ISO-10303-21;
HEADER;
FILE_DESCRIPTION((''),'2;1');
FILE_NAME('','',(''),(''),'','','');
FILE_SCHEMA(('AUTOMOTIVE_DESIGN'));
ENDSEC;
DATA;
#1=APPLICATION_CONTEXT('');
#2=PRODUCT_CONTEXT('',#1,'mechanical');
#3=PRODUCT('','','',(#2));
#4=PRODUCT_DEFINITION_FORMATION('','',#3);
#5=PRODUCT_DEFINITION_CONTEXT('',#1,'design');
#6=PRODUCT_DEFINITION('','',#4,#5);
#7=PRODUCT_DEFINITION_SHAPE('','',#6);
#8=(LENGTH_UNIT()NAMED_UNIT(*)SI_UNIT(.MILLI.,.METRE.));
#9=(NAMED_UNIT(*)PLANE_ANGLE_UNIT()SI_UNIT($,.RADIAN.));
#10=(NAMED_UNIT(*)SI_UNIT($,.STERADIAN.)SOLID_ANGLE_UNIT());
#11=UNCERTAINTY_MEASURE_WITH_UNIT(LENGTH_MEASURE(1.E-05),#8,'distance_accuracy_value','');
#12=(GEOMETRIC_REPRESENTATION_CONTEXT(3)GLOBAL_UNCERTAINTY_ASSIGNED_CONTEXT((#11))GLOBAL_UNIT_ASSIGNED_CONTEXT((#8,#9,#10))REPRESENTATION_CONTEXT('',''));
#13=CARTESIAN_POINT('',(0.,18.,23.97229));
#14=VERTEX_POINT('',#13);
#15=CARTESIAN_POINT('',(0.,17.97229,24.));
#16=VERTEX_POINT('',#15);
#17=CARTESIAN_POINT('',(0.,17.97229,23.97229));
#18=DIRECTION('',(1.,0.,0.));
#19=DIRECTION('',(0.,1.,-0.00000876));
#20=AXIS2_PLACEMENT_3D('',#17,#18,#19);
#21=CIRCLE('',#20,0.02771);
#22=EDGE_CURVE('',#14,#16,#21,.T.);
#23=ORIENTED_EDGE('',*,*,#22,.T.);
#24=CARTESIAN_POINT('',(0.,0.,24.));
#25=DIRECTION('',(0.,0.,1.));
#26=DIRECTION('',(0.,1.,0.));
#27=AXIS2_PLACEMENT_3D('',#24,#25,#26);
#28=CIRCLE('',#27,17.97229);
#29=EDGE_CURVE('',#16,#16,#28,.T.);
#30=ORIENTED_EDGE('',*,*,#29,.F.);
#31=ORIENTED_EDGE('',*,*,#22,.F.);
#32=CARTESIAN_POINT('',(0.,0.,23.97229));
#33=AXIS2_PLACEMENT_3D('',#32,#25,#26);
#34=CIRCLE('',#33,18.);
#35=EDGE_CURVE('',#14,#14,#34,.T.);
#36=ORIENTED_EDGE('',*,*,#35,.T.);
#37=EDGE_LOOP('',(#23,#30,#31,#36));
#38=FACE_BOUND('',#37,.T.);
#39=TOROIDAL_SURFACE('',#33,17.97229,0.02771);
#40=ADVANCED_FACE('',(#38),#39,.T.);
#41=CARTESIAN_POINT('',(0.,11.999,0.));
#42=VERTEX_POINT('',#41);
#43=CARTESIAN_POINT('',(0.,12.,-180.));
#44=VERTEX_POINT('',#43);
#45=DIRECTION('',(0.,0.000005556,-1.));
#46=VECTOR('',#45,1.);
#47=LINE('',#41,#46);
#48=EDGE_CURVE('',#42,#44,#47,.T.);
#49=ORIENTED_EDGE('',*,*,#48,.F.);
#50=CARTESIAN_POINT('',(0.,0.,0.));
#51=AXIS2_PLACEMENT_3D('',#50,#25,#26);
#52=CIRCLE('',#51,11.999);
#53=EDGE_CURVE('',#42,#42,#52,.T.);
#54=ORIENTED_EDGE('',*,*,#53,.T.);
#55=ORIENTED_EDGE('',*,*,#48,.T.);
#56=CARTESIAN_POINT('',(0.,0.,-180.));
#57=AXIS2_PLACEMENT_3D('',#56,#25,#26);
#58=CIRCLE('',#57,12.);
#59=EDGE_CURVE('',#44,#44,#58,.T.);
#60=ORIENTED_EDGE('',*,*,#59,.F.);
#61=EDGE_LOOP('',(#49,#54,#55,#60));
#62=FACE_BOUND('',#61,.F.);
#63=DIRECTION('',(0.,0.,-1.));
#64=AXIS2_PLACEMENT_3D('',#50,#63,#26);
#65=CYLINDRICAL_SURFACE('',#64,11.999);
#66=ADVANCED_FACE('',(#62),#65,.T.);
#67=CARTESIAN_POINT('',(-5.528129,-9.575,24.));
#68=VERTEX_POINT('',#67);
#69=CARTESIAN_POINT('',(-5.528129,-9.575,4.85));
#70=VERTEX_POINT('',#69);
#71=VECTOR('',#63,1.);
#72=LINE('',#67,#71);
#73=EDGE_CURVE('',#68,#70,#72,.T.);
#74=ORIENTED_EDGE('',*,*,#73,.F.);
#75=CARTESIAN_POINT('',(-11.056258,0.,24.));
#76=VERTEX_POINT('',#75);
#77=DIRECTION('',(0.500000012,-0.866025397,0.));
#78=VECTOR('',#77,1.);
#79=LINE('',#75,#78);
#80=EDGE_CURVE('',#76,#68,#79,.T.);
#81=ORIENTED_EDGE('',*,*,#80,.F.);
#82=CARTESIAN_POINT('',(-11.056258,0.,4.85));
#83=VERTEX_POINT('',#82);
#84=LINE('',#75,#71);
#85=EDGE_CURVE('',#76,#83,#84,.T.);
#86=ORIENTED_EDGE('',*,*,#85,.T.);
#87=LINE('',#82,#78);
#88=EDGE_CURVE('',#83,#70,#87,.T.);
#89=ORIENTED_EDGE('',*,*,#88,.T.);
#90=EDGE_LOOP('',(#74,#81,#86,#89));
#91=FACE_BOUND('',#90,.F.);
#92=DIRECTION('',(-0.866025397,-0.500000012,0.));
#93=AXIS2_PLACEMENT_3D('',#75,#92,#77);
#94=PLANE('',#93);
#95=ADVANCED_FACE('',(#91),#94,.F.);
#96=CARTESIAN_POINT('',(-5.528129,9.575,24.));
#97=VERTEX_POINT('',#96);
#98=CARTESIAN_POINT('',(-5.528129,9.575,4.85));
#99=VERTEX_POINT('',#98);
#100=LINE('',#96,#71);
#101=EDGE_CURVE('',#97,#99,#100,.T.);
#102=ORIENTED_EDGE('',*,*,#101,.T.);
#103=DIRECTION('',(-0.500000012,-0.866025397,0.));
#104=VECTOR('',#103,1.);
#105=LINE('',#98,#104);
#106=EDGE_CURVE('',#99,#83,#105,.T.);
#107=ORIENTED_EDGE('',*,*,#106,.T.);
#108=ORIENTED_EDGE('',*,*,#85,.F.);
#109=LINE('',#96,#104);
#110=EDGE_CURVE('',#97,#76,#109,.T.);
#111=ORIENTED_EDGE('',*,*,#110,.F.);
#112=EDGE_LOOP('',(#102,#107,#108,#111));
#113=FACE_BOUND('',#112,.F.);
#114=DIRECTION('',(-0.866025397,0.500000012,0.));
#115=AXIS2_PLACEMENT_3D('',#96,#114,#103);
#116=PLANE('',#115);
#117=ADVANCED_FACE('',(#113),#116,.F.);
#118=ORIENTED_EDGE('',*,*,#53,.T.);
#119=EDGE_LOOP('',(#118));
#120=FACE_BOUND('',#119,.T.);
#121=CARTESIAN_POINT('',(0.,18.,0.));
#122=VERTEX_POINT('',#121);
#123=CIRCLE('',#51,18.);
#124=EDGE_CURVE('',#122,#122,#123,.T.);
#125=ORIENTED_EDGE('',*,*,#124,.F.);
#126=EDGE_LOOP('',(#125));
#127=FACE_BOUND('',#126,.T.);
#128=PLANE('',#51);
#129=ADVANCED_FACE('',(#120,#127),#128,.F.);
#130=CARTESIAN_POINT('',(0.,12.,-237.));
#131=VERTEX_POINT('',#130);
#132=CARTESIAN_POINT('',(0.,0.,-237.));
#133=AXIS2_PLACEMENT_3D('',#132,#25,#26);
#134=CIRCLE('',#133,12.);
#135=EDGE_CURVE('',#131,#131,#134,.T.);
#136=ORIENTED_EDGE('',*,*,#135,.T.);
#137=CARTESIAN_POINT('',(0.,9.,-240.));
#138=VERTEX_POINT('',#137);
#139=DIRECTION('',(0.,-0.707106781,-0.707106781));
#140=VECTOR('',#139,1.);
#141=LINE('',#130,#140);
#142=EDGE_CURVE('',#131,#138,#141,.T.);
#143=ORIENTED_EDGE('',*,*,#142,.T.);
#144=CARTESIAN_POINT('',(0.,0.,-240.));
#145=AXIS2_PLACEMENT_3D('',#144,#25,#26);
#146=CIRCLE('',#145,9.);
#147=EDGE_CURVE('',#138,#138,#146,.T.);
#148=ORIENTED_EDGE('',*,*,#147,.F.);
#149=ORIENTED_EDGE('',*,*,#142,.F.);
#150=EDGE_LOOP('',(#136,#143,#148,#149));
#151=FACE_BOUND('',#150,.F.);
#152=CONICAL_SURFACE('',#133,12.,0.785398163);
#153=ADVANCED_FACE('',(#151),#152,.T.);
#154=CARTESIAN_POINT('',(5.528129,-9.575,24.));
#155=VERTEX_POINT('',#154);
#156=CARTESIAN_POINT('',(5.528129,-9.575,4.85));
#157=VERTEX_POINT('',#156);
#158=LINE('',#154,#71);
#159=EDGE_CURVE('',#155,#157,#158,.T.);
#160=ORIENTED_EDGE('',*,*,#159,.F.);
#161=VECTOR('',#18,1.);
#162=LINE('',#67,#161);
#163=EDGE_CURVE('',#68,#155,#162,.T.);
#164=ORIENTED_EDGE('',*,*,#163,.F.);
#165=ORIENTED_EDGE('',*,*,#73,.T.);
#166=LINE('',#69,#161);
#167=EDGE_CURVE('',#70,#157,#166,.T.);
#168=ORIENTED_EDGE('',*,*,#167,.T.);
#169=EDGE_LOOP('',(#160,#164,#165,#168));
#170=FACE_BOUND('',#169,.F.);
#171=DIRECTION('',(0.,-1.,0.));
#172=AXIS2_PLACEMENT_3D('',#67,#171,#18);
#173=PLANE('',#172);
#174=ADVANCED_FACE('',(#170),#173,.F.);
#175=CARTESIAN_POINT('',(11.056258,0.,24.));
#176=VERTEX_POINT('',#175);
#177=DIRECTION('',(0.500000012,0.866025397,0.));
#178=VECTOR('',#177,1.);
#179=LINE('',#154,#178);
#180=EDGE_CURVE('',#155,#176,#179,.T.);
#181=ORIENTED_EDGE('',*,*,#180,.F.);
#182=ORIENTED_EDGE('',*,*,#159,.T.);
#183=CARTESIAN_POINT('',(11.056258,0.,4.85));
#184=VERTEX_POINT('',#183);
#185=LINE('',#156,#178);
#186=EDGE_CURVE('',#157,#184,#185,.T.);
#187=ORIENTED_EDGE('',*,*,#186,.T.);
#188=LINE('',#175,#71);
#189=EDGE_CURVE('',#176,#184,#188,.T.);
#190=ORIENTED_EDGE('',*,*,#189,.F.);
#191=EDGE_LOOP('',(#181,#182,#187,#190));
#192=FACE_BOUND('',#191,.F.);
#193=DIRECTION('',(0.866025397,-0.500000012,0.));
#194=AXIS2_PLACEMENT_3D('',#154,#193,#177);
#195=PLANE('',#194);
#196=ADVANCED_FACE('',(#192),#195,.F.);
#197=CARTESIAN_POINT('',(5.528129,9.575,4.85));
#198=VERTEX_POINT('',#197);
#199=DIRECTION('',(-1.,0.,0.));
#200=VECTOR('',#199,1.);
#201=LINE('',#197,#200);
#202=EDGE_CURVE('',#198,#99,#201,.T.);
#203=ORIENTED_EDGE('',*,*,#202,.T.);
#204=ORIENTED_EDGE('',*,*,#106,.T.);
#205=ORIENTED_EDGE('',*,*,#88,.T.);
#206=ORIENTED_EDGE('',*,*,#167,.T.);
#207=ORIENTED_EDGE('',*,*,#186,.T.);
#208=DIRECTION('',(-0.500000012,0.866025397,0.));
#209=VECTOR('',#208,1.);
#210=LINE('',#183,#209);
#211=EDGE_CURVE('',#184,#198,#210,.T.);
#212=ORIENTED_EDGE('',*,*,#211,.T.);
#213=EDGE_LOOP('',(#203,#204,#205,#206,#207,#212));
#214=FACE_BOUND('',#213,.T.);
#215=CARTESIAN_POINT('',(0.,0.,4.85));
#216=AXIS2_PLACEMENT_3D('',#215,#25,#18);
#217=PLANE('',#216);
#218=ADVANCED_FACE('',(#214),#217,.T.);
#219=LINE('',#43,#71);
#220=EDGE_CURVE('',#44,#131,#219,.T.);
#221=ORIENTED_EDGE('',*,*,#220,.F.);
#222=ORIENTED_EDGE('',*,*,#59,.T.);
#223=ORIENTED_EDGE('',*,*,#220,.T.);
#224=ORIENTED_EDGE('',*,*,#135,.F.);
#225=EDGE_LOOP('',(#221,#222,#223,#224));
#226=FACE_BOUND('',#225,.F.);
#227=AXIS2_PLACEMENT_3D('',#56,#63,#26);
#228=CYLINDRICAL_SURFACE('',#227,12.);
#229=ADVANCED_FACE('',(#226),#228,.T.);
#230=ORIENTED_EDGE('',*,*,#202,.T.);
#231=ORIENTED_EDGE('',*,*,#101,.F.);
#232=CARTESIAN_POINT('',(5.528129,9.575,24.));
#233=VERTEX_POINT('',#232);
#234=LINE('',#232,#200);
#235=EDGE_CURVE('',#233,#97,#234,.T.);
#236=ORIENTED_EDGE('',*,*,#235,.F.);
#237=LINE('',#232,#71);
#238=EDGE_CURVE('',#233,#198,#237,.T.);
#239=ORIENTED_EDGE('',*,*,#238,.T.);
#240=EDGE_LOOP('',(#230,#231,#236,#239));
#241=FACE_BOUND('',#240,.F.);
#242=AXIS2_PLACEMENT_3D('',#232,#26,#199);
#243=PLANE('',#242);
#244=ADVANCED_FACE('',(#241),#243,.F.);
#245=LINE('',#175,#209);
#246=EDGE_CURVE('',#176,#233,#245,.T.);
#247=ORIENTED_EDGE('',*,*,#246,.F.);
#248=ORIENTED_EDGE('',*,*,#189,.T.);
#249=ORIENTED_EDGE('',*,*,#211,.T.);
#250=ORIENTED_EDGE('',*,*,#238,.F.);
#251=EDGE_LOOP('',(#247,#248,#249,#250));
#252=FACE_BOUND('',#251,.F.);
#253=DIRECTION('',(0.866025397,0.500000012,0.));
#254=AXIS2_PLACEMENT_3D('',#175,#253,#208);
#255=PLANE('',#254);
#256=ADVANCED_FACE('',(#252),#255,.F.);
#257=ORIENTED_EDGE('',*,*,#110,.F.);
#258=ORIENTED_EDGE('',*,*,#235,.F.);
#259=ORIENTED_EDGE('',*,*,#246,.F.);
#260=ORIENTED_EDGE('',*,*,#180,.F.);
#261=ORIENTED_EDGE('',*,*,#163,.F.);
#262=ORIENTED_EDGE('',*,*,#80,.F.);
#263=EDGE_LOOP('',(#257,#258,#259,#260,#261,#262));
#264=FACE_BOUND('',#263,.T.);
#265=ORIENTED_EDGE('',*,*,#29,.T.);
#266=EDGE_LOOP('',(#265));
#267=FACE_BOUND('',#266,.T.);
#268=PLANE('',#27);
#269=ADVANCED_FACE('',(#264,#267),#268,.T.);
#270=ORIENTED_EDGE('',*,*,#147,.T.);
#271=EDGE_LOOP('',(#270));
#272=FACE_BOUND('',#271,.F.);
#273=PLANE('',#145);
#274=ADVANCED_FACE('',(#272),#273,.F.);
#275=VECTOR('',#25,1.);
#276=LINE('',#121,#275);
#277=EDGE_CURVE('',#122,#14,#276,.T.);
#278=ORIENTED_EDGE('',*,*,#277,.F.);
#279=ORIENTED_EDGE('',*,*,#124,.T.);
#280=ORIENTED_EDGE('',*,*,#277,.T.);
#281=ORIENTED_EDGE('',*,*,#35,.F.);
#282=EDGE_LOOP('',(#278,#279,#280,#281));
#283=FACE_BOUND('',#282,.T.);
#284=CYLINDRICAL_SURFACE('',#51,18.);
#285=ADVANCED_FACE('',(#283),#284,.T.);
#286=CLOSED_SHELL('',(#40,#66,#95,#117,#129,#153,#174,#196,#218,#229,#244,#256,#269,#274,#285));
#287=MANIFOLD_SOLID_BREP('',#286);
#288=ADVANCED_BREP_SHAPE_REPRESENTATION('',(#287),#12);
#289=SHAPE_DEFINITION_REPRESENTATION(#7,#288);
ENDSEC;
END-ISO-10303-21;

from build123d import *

# Parameters (mm, degrees)
POCKET_DEPTH = 19.15


with BuildPart() as part:
    # Sketch → Revolve (revolve)
    with BuildSketch(Plane.YZ):
        with BuildLine():
            Line((11.999, 0), (18, 0))
            Line((18, 0), (18, 23.97229))
            ThreePointArc((18, 23.97229), (17.991884, 23.991884), (17.97229, 24))
            Line((17.97229, 24), (0, 24))
            Line((0, -240), (0, 24))
            Line((9, -240), (0, -240))
            Line((12, -237), (9, -240))
            Line((12, -180), (12, -237))
            Line((11.999, 0), (12, -180))
        make_face()
    revolve(axis=Axis((0, 0, 0), (0, 0, 1)))

    # Sketch001 → Pocket (cut)
    with BuildSketch(Plane.XY.offset(24)):
        Polygon((11.056258, 0), (5.528129, 9.575), (-5.528129, 9.575), (-11.056258, 0), (-5.528129, -9.575), (5.528129, -9.575), align=None)
    extrude(amount=-POCKET_DEPTH, mode=Mode.SUBTRACT)


solid = part.part
